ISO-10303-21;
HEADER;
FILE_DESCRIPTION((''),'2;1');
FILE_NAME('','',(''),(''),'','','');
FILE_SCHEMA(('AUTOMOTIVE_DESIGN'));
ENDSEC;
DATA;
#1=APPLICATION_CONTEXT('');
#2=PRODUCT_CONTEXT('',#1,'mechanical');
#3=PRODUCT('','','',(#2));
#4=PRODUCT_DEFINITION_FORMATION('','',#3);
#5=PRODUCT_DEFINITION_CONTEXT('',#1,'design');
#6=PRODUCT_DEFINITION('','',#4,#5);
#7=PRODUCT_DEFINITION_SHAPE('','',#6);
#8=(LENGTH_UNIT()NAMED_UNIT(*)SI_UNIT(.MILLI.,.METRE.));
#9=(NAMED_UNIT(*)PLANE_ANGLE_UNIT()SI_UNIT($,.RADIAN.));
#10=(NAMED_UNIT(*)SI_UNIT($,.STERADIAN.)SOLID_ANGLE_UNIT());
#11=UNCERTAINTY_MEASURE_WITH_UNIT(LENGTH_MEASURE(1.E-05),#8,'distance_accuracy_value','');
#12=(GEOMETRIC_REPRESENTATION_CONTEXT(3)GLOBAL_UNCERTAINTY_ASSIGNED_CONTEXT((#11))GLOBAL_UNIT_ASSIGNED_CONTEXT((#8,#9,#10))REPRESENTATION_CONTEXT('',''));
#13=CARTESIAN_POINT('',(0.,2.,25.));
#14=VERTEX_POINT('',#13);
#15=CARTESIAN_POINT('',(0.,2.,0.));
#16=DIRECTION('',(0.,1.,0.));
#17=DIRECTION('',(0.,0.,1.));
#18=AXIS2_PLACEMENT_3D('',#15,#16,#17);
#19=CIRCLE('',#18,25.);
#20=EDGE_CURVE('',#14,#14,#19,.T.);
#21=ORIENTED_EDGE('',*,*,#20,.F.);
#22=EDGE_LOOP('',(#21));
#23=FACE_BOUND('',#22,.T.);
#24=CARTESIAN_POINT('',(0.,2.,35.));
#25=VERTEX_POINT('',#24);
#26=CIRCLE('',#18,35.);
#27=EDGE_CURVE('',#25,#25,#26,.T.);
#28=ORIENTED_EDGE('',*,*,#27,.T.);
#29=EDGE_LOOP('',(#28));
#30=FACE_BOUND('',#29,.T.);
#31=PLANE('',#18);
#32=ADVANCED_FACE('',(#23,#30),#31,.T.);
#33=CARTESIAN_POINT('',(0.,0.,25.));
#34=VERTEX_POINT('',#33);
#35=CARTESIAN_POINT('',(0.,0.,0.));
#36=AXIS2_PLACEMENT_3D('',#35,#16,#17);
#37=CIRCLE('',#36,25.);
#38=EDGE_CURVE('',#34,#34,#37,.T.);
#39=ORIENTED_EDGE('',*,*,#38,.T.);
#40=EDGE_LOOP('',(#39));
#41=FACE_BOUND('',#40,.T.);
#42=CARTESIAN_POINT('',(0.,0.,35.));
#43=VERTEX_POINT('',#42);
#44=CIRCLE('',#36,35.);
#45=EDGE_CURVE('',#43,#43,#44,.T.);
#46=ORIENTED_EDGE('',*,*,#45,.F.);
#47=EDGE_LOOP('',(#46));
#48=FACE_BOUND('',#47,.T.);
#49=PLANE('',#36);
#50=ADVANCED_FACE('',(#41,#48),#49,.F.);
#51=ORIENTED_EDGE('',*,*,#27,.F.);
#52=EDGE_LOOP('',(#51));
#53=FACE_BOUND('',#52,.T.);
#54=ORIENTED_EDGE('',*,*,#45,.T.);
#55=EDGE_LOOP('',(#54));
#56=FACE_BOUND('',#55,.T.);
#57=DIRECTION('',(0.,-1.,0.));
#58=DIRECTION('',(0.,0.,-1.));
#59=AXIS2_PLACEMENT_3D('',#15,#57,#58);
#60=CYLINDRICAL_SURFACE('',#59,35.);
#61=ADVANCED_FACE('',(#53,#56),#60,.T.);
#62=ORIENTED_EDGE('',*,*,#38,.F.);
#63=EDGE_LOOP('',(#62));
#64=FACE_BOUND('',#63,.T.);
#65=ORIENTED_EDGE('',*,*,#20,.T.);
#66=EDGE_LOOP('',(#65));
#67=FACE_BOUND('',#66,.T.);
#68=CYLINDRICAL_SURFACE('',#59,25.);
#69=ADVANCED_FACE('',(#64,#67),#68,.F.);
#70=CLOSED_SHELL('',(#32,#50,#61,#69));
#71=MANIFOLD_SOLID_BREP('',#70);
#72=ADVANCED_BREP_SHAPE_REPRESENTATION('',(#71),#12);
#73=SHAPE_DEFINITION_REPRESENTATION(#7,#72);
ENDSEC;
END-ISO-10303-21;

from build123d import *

# Parameters (mm, degrees)
SCHIZZO1_R                   = 35
SCHIZZO1_R_2                 = 25
ESTRUSIONE_ESTRUSIONE1_DEPTH = 2


with BuildPart() as part:
    # Schizzo1 → Estrusione-Estrusione1 (new body)
    with BuildSketch(Plane(origin=(0, 0, 0), x_dir=(1, 0, 0), z_dir=(0, 1, 0))):
        with Locations(Location((0, 0, 0), (0, 0, 270))):
            Circle(SCHIZZO1_R)
        with Locations(Location((0, 0, 0), (0, 0, 270))):
            Circle(SCHIZZO1_R_2, mode=Mode.SUBTRACT)
    extrude(amount=ESTRUSIONE_ESTRUSIONE1_DEPTH)


solid = part.part
